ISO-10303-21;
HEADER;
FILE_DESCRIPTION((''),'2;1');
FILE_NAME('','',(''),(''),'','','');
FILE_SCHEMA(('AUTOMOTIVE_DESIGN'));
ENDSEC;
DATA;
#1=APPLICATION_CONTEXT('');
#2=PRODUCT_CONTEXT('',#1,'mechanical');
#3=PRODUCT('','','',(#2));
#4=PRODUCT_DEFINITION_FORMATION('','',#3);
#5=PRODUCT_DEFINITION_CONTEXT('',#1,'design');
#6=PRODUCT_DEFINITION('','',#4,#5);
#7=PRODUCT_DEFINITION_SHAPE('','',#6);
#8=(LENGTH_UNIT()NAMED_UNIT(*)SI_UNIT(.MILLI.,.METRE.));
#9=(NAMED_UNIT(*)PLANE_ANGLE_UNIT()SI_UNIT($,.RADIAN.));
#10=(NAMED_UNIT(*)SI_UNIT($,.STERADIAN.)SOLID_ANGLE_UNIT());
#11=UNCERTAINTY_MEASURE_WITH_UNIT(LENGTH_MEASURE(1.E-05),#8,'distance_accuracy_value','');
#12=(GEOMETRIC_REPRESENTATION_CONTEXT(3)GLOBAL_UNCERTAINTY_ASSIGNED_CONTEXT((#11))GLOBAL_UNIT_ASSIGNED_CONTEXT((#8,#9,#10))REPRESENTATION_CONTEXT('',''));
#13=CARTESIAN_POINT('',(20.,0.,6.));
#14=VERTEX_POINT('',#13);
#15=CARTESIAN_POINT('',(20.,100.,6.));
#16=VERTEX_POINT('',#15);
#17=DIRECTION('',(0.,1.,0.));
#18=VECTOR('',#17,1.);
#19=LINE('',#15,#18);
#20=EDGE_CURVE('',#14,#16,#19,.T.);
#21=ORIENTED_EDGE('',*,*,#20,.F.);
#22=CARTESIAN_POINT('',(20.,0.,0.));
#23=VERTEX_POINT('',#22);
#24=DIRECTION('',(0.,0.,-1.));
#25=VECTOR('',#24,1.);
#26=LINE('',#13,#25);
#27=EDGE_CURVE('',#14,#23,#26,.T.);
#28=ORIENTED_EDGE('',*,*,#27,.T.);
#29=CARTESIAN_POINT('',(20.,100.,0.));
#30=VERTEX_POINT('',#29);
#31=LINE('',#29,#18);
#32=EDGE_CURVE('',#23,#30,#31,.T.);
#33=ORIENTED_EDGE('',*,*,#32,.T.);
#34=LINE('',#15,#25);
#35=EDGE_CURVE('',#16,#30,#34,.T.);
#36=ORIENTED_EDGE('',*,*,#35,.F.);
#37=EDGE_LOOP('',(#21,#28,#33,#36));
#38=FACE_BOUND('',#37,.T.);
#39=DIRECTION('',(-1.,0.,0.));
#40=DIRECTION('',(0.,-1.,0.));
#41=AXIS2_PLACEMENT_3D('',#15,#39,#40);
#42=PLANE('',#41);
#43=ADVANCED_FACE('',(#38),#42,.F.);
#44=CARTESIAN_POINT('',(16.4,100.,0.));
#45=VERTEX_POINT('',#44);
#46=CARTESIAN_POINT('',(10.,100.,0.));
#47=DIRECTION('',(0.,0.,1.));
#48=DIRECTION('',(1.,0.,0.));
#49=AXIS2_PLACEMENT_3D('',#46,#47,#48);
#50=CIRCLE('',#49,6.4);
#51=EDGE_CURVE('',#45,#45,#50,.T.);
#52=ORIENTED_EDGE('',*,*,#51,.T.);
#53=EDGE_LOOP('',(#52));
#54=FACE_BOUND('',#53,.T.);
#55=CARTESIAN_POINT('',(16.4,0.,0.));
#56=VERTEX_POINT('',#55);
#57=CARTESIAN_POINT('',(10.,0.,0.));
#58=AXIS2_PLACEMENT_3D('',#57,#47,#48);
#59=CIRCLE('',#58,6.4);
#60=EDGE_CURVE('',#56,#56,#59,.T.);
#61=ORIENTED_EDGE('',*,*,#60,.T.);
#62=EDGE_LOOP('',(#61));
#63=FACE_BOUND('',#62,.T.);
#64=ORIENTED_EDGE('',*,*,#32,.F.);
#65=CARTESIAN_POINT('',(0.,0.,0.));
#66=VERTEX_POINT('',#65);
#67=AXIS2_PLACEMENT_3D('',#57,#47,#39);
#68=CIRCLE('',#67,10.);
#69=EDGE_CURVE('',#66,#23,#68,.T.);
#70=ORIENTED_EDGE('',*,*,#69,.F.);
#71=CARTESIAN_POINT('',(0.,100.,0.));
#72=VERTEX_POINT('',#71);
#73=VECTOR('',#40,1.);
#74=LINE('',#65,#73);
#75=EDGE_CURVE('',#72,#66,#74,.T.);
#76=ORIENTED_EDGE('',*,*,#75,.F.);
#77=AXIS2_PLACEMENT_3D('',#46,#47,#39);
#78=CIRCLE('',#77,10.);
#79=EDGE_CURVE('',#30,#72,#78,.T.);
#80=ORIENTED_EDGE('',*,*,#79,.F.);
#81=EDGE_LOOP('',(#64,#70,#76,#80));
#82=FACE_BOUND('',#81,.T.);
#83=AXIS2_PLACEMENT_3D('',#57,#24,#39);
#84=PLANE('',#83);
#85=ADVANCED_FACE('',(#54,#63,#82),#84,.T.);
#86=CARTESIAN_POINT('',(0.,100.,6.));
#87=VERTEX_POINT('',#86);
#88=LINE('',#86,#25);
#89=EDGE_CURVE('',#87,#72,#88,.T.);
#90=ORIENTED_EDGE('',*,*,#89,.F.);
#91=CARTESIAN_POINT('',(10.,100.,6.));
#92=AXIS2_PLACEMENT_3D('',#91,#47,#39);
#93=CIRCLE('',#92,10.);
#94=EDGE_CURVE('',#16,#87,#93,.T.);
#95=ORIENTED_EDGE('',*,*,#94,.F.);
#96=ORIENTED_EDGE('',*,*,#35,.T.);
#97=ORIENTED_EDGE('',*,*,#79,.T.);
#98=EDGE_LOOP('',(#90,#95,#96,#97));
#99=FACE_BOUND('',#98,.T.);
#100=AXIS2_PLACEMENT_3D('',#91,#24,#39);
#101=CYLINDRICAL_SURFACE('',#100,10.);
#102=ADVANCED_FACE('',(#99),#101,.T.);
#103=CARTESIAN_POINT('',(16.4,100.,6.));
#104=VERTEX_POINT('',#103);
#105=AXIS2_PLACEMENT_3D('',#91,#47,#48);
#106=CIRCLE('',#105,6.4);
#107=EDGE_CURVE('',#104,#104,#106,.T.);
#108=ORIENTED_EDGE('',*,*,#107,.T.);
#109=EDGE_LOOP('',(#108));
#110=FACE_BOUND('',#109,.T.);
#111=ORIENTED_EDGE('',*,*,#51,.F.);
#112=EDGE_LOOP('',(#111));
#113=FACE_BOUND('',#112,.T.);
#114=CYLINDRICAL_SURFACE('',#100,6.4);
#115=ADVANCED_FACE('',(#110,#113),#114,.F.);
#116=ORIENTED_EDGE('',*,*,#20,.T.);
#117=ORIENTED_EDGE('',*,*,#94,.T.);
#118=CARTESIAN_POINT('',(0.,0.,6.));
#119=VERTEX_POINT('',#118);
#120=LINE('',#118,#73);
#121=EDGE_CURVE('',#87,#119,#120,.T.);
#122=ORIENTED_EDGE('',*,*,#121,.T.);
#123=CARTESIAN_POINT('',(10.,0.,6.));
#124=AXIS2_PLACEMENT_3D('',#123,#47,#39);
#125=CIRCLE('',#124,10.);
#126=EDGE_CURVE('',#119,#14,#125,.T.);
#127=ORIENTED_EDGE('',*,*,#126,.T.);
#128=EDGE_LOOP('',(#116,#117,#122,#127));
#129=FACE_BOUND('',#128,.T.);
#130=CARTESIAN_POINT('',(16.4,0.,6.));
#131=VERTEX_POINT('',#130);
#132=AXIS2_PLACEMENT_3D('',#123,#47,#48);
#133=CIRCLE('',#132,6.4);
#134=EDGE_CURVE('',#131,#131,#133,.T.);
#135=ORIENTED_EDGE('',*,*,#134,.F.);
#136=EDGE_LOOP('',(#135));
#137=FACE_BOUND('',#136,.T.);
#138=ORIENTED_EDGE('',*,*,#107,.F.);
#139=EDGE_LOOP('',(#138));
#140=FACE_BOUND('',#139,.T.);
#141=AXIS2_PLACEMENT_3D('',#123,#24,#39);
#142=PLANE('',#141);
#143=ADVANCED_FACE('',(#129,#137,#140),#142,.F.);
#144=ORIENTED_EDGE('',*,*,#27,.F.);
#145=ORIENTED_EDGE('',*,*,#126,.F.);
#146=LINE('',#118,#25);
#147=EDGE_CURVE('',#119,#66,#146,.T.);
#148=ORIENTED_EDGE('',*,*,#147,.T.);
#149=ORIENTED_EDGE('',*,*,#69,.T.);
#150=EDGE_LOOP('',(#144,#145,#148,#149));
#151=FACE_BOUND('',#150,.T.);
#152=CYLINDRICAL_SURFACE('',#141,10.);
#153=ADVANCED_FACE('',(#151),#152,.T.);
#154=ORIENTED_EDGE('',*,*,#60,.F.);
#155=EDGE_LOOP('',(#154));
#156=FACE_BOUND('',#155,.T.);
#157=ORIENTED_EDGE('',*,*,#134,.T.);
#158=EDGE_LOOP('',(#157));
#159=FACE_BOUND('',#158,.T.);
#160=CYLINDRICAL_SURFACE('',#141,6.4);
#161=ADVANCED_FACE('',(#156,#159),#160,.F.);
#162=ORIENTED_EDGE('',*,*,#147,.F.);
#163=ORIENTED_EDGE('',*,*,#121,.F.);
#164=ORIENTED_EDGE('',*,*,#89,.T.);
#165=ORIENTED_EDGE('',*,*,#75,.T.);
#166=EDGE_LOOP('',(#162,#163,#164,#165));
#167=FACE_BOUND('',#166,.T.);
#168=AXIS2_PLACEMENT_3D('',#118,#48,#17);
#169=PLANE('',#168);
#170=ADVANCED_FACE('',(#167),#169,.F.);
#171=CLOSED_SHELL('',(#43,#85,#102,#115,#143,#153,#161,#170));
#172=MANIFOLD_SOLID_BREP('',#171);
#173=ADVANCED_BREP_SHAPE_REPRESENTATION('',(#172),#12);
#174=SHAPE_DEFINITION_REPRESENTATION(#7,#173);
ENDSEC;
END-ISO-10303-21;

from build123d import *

# Parameters (mm, degrees)
ESQUISSE2_R        = 6.4
BOSS_EXTRU_1_DEPTH = 6


with BuildPart() as part:
    # Esquisse2 → Boss.-Extru.1 (new body)
    with BuildSketch(Plane.XY):
        with BuildLine():
            Line((0, 0), (0, 100))
            ThreePointArc((0, 100), (10, 110), (20, 100))
            Line((20, 100), (20, 0))
            ThreePointArc((20, 0), (10, -10), (0, 0))
        make_face()
        with Locations((10, 100)):
            Circle(ESQUISSE2_R, mode=Mode.SUBTRACT)
        with Locations((10, 0)):
            Circle(ESQUISSE2_R, mode=Mode.SUBTRACT)
    extrude(amount=BOSS_EXTRU_1_DEPTH)


solid = part.part
